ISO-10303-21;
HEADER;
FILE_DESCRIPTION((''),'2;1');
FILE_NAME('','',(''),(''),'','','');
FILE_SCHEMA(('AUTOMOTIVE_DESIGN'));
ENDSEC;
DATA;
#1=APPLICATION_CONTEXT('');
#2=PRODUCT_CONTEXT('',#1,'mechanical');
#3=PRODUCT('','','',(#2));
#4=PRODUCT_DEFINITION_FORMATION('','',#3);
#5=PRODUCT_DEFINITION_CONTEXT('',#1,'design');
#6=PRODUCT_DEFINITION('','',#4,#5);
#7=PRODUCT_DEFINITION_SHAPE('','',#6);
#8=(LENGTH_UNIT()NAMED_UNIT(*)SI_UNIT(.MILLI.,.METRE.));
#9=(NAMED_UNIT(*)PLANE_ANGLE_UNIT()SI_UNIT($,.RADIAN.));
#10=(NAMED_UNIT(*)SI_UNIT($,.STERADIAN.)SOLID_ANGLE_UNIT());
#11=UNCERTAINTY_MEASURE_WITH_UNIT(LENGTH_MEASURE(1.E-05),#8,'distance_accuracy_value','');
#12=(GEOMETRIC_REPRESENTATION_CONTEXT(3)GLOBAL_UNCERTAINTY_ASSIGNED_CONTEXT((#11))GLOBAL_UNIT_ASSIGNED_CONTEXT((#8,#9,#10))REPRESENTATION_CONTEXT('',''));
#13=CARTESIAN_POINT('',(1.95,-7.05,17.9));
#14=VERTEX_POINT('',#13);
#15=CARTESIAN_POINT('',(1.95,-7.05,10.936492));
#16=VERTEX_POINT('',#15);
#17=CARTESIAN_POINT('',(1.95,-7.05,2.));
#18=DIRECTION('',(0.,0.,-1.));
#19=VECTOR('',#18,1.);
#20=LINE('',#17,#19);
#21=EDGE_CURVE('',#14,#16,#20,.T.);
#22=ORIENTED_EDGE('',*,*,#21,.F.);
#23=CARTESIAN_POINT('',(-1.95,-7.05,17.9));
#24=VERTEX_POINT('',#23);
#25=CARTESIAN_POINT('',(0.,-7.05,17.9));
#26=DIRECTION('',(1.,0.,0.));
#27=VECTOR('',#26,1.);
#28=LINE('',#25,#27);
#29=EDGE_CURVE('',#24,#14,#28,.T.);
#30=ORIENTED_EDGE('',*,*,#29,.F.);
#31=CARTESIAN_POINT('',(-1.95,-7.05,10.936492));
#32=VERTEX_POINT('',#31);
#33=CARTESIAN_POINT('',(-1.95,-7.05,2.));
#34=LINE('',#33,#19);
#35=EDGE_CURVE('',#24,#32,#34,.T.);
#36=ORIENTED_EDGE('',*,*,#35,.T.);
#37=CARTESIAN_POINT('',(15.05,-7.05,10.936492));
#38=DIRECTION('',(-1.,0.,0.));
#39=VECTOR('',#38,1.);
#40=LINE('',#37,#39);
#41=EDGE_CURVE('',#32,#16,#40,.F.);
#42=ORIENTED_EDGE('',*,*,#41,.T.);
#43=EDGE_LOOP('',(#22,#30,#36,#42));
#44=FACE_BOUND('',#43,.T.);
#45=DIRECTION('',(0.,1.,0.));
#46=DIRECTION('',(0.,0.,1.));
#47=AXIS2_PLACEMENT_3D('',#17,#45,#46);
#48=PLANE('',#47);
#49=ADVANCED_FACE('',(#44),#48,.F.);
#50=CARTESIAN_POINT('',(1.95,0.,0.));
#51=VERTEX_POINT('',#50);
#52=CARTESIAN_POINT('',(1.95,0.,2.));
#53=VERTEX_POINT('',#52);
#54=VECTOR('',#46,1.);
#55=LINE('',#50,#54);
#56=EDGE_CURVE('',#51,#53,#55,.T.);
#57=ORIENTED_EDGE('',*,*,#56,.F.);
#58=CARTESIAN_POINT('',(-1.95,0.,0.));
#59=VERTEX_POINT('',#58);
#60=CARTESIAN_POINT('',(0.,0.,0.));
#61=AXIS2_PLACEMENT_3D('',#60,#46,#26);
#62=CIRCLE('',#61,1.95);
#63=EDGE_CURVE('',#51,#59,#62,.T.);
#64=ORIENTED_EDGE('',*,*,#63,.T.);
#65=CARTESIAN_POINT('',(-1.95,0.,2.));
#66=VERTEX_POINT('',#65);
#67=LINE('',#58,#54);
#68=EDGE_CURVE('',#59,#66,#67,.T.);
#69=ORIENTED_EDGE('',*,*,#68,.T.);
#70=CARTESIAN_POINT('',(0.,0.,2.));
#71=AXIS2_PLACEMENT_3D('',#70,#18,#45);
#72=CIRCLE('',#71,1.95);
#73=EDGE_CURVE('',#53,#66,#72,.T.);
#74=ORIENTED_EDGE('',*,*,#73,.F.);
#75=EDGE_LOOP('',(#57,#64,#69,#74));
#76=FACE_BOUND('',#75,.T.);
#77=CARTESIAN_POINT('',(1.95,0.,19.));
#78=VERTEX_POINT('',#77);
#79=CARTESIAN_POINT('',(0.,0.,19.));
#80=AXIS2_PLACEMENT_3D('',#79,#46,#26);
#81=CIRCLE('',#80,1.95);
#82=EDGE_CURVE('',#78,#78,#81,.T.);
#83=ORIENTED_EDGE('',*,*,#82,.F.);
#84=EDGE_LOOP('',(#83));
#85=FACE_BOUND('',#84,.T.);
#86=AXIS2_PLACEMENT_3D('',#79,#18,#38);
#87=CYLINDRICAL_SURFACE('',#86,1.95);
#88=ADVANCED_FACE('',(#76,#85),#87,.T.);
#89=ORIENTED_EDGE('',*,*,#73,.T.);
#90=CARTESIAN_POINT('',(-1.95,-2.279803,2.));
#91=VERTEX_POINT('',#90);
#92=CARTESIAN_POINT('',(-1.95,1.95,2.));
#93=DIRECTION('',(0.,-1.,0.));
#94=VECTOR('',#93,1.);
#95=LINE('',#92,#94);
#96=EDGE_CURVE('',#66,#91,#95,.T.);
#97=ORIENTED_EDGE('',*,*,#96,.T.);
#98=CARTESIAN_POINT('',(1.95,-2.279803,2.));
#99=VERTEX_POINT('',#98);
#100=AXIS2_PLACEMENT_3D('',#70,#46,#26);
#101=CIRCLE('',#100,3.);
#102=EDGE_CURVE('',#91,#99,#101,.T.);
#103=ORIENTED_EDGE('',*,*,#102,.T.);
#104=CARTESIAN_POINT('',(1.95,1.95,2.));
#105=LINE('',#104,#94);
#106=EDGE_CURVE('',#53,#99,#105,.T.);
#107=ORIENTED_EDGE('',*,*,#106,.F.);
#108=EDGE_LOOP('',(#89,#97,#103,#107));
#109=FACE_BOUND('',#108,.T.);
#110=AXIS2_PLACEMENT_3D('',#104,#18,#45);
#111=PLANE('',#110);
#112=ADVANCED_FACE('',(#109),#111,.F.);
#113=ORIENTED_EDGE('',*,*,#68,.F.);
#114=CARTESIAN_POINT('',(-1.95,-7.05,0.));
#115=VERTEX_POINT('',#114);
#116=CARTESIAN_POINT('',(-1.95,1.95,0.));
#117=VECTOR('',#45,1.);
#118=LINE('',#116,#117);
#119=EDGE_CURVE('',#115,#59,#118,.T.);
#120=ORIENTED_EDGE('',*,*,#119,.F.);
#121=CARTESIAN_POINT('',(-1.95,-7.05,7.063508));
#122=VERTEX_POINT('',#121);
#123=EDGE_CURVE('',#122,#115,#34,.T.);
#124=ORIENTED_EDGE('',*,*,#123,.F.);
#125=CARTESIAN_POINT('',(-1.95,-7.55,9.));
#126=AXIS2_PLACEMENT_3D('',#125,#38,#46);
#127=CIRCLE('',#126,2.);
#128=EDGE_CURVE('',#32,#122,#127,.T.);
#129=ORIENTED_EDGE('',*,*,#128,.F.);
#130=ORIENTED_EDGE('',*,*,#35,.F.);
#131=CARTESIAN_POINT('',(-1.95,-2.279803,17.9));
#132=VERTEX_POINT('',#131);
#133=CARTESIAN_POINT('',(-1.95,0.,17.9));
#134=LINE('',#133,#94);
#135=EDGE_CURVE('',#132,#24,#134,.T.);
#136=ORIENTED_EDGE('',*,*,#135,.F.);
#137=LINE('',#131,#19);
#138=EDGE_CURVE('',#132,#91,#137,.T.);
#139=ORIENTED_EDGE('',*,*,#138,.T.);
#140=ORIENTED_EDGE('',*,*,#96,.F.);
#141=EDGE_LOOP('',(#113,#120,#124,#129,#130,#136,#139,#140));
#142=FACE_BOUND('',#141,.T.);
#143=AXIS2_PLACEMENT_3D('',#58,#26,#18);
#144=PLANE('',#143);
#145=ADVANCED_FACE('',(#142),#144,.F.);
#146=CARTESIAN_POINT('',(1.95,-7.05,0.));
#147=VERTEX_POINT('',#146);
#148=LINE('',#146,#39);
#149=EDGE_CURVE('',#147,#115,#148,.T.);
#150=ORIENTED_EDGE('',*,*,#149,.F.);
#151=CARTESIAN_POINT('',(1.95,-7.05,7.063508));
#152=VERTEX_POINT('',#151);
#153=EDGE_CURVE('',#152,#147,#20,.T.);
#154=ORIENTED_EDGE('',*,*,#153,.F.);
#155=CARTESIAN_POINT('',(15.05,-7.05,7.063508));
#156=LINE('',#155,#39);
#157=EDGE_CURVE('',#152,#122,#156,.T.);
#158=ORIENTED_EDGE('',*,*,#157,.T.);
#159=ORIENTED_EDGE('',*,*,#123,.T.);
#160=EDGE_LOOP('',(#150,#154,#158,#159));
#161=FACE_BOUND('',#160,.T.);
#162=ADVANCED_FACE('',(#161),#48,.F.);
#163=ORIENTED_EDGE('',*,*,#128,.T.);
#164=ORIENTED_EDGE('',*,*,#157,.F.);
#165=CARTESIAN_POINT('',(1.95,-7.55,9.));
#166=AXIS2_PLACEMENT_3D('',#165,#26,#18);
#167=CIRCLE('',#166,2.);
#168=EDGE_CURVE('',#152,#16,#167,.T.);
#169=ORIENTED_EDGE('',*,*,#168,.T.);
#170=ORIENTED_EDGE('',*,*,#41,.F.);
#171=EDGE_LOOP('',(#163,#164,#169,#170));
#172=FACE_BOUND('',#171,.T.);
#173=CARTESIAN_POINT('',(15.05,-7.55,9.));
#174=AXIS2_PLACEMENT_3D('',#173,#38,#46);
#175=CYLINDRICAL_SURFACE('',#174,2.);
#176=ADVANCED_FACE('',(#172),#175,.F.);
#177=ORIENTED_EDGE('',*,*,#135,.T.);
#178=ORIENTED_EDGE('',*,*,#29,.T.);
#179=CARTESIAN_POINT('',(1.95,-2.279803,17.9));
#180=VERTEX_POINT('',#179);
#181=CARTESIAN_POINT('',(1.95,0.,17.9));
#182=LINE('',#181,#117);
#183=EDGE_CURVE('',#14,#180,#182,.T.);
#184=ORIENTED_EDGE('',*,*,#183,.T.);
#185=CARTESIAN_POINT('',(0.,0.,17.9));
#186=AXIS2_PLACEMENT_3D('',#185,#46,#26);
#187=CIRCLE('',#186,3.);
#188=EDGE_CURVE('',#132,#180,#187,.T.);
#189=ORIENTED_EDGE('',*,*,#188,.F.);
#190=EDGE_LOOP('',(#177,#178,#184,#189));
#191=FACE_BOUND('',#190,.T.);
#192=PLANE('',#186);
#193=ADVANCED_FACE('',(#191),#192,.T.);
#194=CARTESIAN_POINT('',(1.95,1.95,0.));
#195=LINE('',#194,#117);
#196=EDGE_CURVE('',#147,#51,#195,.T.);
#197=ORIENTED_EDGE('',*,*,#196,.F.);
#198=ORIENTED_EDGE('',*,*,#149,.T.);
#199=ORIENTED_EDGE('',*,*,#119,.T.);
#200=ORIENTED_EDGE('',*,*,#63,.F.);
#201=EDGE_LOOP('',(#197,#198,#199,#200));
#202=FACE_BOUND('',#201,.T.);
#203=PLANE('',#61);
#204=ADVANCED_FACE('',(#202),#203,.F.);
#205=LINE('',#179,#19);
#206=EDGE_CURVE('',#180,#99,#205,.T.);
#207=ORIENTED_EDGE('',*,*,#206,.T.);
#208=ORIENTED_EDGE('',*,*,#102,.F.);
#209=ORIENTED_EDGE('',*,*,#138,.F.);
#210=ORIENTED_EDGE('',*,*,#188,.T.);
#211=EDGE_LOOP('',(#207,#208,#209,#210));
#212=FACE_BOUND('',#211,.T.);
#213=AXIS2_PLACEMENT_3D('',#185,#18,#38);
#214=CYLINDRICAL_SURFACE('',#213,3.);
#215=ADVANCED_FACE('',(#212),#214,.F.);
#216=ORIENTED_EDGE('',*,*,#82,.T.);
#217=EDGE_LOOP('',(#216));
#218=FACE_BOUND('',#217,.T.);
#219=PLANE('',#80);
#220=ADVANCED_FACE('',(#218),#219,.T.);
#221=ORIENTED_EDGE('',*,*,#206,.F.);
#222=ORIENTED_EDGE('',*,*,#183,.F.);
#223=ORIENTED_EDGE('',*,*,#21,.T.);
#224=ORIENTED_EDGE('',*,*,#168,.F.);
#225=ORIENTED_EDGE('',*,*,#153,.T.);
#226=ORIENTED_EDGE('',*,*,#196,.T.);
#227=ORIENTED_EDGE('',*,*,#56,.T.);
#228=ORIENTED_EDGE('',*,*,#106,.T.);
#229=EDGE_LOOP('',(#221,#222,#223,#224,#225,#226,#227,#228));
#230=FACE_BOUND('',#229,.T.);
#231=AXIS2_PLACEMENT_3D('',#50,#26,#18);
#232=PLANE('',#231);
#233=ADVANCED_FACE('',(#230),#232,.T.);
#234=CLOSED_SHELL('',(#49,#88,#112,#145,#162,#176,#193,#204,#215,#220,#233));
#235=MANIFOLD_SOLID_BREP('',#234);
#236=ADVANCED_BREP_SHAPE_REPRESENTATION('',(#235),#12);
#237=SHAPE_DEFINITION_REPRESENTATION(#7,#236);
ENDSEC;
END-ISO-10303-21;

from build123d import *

# Parameters (mm, degrees)
SKETCH_1_R          = 1.95
EXTRUDE_1_DEPTH     = 19
SKETCH_4_W          = 2
SKETCH_4_H          = 9
EXTRUDE_2_DEPTH     = 1.95
CUT_EXTRUDE_1_DEPTH = 21.359396
EXTRUDE_4_DEPTH     = 15.9
SKETCH_9_R          = 2
CUT_EXTRUDE_2_DEPTH = 17


with BuildPart() as part:
    # 스케치1 → 보스-돌출1 (new body)
    with BuildSketch(Plane.XY):
        Circle(SKETCH_1_R)
    extrude(amount=EXTRUDE_1_DEPTH)

    # 스케치4 → 보스-돌출2 (add, symmetric)
    with BuildSketch(Plane(origin=(0, 0, 0), x_dir=(0, 0, -1), z_dir=(1, 0, 0))):
        with Locations((-1, -2.55)):
            Rectangle(SKETCH_4_W, SKETCH_4_H)
    extrude(amount=EXTRUDE_2_DEPTH, both=True)

    # 스케치5 → 컷-돌출1 (cut, through all)
    with BuildSketch(Plane.XY.offset(19)):
        with BuildLine():
            Line((-1.95, 1.95), (-1.95, 0))
            ThreePointArc((-1.95, 0), (-1.378858, 1.378858), (0, 1.95))
            Line((0, 1.95), (-1.95, 1.95))
        make_face()
        with BuildLine():
            ThreePointArc((0, 1.95), (1.378858, 1.378858), (1.95, 0))
            Line((1.95, 0), (1.95, 1.95))
            Line((1.95, 1.95), (0, 1.95))
        make_face()
    extrude(amount=-CUT_EXTRUDE_1_DEPTH, mode=Mode.SUBTRACT)

    # 스케치8 → 보스-돌출4 (add)
    with BuildSketch(Plane.XY.offset(2)):
        with BuildLine():
            ThreePointArc((1.95, -2.279803), (0, -3), (-1.95, -2.279803))
            Line((-1.95, -2.279803), (-1.95, -7.05))
            Line((-1.95, -7.05), (1.95, -7.05))
            Line((1.95, -7.05), (1.95, -2.279803))
        make_face()
    extrude(amount=EXTRUDE_4_DEPTH)

    # 스케치9 → 컷-돌출2 (cut)
    with BuildSketch(Plane.ZY.offset(1.95)):
        with Locations((9, -7.55)):
            Circle(SKETCH_9_R)
    extrude(amount=-CUT_EXTRUDE_2_DEPTH, mode=Mode.SUBTRACT)


solid = part.part
